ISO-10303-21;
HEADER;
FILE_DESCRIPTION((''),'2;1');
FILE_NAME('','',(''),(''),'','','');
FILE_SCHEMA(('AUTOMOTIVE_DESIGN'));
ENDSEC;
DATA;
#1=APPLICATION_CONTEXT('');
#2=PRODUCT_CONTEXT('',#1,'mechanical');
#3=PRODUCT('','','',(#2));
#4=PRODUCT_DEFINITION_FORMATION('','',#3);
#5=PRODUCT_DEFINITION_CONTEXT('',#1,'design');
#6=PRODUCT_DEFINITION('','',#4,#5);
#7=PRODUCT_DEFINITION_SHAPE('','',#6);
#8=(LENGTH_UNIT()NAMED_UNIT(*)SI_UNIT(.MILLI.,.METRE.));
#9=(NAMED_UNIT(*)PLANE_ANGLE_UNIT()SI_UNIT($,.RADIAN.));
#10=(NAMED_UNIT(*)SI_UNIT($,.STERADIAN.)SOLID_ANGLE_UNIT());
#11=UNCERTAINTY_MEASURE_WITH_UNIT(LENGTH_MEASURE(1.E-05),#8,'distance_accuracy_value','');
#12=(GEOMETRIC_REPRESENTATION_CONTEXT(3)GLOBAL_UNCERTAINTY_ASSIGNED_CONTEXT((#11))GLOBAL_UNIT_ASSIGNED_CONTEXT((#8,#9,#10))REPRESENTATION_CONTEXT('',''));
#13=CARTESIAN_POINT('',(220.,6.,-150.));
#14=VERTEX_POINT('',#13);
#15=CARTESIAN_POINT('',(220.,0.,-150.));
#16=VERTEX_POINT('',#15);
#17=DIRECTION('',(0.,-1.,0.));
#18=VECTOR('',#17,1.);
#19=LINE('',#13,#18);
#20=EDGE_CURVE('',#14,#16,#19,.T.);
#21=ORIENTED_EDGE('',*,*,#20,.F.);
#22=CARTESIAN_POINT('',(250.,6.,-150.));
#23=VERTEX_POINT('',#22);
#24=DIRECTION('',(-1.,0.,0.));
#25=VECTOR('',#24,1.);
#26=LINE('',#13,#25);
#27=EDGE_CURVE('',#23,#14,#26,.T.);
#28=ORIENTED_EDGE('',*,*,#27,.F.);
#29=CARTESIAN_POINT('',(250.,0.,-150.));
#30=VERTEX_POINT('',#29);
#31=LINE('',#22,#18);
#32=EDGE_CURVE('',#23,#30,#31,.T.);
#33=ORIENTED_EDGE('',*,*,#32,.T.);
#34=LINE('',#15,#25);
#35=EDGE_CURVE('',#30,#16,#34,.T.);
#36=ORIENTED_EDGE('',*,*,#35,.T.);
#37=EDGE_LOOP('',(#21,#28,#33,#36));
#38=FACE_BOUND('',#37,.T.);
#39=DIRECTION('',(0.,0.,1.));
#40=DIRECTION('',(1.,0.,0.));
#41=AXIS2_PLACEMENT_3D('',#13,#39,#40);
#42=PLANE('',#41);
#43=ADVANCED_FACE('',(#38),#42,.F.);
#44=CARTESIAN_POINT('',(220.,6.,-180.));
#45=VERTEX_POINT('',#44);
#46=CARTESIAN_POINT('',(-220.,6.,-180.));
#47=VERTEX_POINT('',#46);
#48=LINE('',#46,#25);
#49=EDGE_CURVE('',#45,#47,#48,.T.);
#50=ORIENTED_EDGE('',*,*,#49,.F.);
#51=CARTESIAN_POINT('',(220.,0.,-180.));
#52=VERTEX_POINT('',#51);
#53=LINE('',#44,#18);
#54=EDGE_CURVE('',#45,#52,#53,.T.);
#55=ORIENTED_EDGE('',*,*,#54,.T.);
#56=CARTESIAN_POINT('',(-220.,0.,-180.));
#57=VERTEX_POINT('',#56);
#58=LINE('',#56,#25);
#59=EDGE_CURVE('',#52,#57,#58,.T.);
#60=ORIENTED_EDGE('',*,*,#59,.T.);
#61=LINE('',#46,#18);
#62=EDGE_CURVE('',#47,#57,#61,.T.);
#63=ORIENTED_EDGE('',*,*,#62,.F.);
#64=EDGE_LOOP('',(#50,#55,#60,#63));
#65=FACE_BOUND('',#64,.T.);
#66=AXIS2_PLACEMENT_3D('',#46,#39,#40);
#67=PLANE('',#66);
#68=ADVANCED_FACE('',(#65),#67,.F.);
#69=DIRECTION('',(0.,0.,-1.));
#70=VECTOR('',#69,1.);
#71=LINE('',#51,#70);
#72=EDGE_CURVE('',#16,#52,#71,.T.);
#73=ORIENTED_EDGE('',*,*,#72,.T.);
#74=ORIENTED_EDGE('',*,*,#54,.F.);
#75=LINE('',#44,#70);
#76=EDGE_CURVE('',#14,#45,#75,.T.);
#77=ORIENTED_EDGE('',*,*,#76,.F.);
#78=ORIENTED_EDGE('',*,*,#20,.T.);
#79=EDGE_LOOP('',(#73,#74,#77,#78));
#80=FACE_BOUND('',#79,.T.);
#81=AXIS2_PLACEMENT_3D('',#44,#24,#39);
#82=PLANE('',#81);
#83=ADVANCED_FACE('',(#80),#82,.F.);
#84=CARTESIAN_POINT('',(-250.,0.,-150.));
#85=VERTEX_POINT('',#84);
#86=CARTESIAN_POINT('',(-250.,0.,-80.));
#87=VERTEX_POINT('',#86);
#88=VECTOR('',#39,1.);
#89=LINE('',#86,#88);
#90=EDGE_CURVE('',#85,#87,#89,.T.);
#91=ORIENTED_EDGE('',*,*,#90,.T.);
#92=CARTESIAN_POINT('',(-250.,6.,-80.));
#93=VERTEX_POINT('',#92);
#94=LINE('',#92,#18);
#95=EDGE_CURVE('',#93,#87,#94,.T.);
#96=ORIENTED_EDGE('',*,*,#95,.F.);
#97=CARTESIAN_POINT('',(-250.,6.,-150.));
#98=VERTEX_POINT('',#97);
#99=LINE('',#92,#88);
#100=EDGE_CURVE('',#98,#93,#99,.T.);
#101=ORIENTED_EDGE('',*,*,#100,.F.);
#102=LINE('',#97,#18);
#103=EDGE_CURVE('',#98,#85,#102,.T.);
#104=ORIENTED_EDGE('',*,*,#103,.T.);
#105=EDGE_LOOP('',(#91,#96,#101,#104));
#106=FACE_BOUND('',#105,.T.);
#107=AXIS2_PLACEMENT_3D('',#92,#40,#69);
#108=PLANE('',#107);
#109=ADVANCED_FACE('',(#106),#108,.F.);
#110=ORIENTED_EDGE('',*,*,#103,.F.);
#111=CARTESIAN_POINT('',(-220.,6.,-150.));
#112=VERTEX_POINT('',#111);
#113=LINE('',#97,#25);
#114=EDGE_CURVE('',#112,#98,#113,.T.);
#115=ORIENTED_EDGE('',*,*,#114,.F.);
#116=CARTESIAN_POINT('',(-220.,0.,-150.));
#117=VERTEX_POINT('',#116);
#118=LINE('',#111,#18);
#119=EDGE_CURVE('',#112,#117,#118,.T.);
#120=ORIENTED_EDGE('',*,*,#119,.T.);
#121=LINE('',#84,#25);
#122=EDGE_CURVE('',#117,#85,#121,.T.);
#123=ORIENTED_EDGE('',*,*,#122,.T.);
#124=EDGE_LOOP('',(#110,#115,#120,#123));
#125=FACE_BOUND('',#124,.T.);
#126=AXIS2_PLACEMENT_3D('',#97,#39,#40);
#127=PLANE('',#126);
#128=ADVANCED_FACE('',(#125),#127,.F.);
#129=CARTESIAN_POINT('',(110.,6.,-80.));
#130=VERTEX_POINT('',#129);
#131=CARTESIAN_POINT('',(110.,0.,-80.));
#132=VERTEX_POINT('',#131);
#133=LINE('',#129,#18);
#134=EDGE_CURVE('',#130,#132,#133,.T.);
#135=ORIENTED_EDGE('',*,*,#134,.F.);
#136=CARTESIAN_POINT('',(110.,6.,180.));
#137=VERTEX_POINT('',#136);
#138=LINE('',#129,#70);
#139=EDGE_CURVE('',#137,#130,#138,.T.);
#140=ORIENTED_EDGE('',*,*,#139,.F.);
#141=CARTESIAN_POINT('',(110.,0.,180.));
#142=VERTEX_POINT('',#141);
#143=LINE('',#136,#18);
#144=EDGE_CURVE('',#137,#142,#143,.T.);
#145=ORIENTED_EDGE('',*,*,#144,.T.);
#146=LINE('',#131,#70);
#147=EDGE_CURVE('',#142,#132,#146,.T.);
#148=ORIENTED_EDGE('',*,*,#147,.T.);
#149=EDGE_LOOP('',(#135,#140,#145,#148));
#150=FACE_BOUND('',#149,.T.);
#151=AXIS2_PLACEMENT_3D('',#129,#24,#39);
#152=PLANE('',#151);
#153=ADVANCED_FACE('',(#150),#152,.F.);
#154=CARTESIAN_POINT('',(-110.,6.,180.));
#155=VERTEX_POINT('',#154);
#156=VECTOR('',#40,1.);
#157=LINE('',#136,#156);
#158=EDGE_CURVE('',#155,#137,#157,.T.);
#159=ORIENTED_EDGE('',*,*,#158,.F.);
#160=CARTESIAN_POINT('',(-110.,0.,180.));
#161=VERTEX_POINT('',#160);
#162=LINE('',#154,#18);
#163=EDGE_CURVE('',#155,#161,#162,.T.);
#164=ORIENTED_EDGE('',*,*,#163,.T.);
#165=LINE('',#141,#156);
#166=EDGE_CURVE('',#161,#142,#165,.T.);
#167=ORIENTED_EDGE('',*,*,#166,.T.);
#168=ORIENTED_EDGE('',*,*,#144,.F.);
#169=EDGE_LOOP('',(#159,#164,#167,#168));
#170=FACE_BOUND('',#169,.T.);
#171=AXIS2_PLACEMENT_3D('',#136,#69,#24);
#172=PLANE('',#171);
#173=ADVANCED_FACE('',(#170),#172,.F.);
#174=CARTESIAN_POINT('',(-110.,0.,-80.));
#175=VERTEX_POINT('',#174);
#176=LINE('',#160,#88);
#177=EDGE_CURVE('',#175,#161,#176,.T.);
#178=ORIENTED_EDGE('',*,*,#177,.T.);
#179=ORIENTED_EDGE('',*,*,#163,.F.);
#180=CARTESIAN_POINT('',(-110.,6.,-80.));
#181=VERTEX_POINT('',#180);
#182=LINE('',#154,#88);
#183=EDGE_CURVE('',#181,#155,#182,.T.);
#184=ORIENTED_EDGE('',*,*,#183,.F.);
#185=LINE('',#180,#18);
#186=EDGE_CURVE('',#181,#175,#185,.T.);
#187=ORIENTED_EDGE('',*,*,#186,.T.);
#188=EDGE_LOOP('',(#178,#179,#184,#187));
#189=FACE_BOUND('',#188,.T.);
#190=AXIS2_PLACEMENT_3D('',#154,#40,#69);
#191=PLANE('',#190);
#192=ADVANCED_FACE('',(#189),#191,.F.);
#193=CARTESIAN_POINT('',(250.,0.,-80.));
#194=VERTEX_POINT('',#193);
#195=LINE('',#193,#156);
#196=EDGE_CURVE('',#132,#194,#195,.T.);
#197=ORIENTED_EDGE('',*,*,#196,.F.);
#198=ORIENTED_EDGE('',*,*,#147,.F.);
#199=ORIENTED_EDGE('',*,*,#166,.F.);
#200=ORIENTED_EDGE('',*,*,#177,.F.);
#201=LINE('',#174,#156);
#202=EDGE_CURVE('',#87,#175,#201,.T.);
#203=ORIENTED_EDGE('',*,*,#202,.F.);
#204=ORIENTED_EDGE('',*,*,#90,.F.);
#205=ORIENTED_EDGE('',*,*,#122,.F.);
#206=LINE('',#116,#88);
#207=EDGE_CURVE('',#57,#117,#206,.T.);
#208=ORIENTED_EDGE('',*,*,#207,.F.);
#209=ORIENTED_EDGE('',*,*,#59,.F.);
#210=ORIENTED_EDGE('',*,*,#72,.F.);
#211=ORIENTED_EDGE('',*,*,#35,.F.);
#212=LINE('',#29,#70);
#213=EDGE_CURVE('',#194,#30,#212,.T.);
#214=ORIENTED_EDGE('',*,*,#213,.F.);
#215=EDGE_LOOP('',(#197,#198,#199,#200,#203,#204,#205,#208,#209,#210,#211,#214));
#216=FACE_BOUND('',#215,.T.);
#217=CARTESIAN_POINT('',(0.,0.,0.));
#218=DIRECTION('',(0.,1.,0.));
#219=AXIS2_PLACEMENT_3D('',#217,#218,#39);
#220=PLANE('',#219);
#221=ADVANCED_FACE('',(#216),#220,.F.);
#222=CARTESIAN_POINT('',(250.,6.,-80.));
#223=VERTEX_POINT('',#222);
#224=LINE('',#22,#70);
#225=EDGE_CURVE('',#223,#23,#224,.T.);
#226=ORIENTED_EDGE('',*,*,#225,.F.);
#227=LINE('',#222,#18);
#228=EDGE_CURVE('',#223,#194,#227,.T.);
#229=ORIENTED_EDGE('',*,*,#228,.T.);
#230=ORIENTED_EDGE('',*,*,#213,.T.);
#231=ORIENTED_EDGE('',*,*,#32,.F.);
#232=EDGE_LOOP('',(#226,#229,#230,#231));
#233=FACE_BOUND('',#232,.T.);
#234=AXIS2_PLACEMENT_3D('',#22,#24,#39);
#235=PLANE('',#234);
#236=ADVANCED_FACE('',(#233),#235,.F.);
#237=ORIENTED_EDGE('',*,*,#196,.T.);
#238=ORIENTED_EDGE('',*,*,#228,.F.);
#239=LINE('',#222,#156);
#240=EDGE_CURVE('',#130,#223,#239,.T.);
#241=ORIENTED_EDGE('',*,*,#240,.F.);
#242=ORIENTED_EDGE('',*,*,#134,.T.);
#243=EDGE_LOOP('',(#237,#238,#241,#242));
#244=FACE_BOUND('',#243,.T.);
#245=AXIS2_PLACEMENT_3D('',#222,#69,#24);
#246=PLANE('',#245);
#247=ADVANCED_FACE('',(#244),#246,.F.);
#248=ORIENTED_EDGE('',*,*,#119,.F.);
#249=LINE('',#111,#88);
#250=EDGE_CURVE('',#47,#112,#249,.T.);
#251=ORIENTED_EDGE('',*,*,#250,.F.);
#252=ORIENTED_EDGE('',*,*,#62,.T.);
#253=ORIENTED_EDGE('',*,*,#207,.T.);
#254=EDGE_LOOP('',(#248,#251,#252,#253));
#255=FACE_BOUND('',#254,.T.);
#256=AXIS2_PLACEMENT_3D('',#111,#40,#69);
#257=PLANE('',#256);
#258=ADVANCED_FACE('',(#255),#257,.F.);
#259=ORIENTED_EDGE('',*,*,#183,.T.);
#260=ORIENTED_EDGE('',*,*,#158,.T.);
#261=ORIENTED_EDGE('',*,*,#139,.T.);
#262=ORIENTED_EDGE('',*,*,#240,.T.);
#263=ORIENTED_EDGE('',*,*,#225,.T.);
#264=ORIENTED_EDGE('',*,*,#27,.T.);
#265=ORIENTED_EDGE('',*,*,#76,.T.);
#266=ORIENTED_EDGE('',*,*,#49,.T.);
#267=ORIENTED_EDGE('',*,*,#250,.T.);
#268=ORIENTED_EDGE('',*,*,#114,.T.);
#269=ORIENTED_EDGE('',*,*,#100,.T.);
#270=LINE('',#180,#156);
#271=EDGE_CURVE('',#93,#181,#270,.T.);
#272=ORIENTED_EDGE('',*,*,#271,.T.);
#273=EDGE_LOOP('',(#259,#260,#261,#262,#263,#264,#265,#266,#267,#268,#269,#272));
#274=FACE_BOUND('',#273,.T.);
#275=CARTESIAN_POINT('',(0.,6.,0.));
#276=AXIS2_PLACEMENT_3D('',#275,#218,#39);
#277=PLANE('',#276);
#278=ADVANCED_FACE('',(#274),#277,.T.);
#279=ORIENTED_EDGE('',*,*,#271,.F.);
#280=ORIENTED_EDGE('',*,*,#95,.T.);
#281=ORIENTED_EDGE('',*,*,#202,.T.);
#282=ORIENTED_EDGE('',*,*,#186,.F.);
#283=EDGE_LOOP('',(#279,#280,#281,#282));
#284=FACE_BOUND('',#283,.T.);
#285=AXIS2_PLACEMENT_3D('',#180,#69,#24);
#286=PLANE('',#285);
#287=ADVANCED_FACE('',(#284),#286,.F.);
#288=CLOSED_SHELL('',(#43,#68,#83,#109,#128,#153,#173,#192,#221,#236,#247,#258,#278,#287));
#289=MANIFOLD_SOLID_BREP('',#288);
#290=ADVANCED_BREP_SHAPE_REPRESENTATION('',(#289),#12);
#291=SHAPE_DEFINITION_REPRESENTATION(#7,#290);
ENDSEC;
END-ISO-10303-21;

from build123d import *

# Parameters (mm, degrees)
RESSALTO_EXTRUS_O1_DEPTH = 6


with BuildPart() as part:
    # Esboço1 → Ressalto-extrusão1 (new body)
    with BuildSketch(Plane(origin=(0, 0, 0), x_dir=(1, 0, 0), z_dir=(0, 1, 0))):
        Polygon((-250, 80), (-250, 150), (-220, 150), (-220, 180), (220, 180), (220, 150), (250, 150), (250, 80), (110, 80), (110, -180), (-110, -180), (-110, 80), align=None)
    extrude(amount=RESSALTO_EXTRUS_O1_DEPTH)


solid = part.part
